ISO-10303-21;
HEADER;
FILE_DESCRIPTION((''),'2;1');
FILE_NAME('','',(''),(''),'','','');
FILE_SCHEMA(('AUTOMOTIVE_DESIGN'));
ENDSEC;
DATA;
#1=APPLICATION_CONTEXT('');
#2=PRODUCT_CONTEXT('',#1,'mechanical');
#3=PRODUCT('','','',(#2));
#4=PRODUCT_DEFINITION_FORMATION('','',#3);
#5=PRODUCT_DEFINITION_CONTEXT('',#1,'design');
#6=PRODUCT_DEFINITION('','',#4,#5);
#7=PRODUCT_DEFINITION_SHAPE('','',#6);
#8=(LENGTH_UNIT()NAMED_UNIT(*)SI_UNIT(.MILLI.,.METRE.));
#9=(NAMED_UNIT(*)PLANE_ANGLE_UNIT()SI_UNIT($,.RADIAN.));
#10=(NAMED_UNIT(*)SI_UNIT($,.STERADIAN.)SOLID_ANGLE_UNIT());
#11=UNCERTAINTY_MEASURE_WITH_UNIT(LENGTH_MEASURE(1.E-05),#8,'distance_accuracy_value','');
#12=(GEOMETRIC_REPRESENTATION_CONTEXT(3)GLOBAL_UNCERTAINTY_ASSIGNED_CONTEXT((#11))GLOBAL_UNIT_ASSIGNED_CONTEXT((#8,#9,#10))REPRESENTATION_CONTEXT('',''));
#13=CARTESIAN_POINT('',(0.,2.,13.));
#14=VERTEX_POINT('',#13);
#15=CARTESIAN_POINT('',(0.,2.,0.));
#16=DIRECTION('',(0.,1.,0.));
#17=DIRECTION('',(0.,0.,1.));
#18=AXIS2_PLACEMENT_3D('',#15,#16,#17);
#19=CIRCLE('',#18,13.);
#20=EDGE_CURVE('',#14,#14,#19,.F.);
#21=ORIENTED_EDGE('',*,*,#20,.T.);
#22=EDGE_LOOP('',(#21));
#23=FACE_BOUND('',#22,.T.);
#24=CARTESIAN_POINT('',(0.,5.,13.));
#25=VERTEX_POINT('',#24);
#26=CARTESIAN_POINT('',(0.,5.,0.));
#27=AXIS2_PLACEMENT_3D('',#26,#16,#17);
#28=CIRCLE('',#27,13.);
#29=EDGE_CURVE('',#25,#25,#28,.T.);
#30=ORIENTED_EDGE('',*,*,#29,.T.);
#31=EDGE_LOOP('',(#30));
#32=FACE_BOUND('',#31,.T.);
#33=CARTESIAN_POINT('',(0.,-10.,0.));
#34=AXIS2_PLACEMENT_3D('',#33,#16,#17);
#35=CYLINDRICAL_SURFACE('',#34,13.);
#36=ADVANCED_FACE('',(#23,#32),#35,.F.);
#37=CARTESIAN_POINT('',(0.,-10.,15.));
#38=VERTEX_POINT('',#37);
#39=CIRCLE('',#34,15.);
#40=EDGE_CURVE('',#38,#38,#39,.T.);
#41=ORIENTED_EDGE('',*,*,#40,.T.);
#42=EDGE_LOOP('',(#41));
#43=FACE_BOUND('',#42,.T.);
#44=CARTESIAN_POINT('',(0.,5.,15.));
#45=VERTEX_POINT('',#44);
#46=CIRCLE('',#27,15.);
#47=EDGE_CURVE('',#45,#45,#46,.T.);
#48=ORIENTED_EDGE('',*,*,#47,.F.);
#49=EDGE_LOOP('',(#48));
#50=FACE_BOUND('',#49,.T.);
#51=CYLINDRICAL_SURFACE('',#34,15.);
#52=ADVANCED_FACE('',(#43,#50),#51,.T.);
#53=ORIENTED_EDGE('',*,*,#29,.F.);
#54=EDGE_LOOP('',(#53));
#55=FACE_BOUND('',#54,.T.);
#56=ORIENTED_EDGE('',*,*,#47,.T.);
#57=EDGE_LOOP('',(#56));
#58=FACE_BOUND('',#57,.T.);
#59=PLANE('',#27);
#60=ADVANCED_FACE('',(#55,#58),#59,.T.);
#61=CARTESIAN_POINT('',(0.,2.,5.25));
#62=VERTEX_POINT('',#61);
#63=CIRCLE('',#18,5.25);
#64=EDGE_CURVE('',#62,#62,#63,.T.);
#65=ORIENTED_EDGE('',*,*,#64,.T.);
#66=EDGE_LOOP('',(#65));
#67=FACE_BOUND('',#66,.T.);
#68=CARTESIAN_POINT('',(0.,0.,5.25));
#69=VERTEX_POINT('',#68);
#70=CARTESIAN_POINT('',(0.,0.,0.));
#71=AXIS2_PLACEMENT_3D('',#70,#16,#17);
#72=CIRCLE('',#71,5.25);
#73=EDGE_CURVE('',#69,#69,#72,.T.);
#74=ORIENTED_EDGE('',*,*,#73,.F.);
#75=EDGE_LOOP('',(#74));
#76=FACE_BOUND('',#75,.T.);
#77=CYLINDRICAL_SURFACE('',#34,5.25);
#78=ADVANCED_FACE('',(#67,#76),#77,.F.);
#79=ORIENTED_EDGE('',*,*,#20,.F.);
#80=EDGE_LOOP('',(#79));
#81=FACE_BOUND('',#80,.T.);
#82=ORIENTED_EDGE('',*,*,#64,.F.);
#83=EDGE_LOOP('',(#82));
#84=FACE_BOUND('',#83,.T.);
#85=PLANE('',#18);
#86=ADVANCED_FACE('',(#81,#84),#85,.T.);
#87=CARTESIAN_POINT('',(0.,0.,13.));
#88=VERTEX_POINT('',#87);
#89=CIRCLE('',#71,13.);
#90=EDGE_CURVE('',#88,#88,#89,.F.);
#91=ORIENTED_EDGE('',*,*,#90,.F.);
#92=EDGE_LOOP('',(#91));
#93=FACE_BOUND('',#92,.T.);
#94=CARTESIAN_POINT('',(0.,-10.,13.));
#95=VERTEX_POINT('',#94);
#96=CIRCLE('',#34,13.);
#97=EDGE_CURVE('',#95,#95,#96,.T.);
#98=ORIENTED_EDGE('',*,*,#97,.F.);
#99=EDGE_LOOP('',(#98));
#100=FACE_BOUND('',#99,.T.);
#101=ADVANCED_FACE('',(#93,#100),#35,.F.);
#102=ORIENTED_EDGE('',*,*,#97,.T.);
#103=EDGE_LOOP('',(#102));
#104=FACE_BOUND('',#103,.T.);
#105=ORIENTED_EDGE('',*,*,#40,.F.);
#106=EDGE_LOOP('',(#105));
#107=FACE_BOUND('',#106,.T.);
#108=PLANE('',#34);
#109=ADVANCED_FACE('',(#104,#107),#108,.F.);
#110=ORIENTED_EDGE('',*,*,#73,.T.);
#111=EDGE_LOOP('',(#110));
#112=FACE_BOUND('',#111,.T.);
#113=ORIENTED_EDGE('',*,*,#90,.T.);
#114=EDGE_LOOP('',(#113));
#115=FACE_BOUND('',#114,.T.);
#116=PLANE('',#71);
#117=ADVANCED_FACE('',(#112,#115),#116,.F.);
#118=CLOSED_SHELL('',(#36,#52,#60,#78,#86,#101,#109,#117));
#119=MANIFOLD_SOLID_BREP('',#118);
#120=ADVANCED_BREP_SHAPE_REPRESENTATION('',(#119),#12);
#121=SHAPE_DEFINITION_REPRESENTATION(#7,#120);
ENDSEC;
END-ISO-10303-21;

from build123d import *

# Parameters (mm, degrees)
BOSS_EXTRUDE1_DEPTH      = 5
BOSS_EXTRUDE1_DEPTH_BACK = 10
SKETCH1_R                = 15
SKETCH1_R_2              = 13
SKETCH2_R                = 15
BOSS_EXTRUDE2_DEPTH      = 2
CUT_EXTRUDE1_DEPTH       = 24.452078799
CUT_EXTRUDE1_DEPTH_BACK  = 24.452078799
SKETCH3_R                = 5.25


with BuildPart() as part:
    # Sketch1 → Boss-Extrude1 (new, two sides: drawn at the far end of the back side and taken through both)
    with BuildSketch(Plane(origin=(0, 0, 0), x_dir=(1, 0, 0), z_dir=(0, 1, 0)).offset(-BOSS_EXTRUDE1_DEPTH_BACK)):
        with Locations(Location((0, 0, 0), (0, 0, 270))):
            Circle(SKETCH1_R)
        with Locations(Location((0, 0, 0), (0, 0, 270))):
            Circle(SKETCH1_R_2, mode=Mode.SUBTRACT)
    extrude(amount=BOSS_EXTRUDE1_DEPTH + BOSS_EXTRUDE1_DEPTH_BACK)

    # Sketch2 → Boss-Extrude2 (add)
    with BuildSketch(Plane(origin=(0, 0, 0), x_dir=(1, 0, 0), z_dir=(0, 1, 0))):
        with Locations(Location((0, 0, 0), (0, 0, 270))):
            Circle(SKETCH2_R)
    extrude(amount=BOSS_EXTRUDE2_DEPTH)

    # Sketch3 → Cut-Extrude1 (cut, two sides: drawn at the far end of the back side and taken through both)
    with BuildSketch(Plane(origin=(0, 0, 0), x_dir=(1, 0, 0), z_dir=(0, 1, 0)).offset(-CUT_EXTRUDE1_DEPTH_BACK)):
        with Locations(Location((0, 0, 0), (0, 0, 270))):
            Circle(SKETCH3_R)
    extrude(amount=CUT_EXTRUDE1_DEPTH + CUT_EXTRUDE1_DEPTH_BACK, mode=Mode.SUBTRACT)


solid = part.part
